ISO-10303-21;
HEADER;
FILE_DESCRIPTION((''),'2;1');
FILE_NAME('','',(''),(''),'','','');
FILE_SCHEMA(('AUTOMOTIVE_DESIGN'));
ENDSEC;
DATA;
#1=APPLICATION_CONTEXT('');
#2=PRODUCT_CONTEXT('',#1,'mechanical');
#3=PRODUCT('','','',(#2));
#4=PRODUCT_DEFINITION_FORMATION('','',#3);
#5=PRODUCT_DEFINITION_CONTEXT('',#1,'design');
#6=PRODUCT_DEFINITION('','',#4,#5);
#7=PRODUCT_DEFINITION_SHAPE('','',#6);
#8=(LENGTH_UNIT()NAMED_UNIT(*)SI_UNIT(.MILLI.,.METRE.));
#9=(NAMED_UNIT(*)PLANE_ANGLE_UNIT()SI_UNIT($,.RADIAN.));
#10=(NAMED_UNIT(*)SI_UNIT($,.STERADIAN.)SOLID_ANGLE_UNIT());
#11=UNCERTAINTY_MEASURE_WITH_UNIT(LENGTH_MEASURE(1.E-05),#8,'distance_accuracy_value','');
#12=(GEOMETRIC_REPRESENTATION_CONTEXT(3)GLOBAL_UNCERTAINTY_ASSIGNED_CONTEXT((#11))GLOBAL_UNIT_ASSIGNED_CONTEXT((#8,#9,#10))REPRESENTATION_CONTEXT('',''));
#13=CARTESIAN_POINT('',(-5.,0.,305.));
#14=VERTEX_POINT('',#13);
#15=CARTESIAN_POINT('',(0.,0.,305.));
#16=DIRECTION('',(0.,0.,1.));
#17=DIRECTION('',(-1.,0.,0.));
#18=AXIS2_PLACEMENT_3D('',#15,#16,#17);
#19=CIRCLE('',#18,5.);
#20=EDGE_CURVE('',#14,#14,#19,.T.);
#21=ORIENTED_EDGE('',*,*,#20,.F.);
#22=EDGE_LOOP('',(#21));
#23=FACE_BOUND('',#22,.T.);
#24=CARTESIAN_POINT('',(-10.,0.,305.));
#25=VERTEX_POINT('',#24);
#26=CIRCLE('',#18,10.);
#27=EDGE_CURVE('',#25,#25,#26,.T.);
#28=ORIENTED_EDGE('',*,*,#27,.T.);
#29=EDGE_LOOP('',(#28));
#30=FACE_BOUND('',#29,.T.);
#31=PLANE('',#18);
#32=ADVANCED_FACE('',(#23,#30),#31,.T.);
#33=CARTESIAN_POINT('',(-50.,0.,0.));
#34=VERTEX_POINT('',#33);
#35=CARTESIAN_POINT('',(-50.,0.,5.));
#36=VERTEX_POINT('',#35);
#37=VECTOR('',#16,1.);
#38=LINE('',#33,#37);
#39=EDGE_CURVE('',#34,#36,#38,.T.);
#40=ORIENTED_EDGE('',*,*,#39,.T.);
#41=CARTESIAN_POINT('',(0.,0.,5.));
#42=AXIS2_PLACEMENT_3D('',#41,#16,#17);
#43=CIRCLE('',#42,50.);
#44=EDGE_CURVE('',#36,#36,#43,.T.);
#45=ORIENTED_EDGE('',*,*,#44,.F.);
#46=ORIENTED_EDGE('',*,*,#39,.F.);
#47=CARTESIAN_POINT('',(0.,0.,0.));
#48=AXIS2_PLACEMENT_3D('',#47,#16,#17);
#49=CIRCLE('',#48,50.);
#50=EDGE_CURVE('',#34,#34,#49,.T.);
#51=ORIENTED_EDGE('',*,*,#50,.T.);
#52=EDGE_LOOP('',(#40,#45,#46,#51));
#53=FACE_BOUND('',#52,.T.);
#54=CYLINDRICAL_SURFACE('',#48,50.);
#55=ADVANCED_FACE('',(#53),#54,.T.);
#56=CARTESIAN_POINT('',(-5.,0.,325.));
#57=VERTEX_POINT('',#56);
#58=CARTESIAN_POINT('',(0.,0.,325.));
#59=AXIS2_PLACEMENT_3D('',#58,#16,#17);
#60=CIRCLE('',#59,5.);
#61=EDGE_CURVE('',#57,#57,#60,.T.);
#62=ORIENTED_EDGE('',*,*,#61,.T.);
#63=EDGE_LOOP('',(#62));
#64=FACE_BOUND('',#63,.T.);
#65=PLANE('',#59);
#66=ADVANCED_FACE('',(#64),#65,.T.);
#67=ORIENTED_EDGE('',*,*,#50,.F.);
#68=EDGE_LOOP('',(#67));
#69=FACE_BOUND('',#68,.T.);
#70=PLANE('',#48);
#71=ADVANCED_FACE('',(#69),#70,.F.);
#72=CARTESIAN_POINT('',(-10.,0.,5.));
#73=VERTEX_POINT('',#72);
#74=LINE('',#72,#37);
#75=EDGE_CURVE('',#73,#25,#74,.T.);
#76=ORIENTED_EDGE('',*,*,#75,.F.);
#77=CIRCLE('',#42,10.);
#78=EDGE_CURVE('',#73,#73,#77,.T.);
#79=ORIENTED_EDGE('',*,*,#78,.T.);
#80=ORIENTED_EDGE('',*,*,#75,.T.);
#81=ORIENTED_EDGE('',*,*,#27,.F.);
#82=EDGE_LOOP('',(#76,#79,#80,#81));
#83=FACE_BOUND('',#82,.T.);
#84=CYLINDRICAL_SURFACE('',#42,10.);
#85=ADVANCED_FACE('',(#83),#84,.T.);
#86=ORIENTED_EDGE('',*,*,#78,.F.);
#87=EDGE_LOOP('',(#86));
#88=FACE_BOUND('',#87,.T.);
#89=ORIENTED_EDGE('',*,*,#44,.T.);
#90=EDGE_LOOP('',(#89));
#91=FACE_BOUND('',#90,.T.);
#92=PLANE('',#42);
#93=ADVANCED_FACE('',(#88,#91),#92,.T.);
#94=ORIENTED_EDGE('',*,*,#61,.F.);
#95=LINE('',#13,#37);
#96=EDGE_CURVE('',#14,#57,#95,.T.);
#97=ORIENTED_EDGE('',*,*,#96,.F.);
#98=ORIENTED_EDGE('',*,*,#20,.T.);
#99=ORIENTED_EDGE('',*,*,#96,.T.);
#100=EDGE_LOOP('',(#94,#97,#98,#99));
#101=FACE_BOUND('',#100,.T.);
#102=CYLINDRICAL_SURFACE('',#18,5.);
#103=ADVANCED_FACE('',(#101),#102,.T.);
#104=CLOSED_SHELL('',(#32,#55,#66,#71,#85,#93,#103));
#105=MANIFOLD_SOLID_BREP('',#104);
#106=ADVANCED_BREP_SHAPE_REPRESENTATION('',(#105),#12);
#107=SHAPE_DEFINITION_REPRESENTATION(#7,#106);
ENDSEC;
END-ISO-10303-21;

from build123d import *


with BuildPart() as part:
    # Sketch → Revolution (revolve)
    with BuildSketch(Plane.XZ):
        Polygon((0, 0), (-50, 0), (-50, 5), (-10, 5), (-10, 305), (-5, 305), (-5, 325), (0, 325), align=None)
    revolve(axis=Axis((0, 0, 0), (0, 0, 1)))


solid = part.part
